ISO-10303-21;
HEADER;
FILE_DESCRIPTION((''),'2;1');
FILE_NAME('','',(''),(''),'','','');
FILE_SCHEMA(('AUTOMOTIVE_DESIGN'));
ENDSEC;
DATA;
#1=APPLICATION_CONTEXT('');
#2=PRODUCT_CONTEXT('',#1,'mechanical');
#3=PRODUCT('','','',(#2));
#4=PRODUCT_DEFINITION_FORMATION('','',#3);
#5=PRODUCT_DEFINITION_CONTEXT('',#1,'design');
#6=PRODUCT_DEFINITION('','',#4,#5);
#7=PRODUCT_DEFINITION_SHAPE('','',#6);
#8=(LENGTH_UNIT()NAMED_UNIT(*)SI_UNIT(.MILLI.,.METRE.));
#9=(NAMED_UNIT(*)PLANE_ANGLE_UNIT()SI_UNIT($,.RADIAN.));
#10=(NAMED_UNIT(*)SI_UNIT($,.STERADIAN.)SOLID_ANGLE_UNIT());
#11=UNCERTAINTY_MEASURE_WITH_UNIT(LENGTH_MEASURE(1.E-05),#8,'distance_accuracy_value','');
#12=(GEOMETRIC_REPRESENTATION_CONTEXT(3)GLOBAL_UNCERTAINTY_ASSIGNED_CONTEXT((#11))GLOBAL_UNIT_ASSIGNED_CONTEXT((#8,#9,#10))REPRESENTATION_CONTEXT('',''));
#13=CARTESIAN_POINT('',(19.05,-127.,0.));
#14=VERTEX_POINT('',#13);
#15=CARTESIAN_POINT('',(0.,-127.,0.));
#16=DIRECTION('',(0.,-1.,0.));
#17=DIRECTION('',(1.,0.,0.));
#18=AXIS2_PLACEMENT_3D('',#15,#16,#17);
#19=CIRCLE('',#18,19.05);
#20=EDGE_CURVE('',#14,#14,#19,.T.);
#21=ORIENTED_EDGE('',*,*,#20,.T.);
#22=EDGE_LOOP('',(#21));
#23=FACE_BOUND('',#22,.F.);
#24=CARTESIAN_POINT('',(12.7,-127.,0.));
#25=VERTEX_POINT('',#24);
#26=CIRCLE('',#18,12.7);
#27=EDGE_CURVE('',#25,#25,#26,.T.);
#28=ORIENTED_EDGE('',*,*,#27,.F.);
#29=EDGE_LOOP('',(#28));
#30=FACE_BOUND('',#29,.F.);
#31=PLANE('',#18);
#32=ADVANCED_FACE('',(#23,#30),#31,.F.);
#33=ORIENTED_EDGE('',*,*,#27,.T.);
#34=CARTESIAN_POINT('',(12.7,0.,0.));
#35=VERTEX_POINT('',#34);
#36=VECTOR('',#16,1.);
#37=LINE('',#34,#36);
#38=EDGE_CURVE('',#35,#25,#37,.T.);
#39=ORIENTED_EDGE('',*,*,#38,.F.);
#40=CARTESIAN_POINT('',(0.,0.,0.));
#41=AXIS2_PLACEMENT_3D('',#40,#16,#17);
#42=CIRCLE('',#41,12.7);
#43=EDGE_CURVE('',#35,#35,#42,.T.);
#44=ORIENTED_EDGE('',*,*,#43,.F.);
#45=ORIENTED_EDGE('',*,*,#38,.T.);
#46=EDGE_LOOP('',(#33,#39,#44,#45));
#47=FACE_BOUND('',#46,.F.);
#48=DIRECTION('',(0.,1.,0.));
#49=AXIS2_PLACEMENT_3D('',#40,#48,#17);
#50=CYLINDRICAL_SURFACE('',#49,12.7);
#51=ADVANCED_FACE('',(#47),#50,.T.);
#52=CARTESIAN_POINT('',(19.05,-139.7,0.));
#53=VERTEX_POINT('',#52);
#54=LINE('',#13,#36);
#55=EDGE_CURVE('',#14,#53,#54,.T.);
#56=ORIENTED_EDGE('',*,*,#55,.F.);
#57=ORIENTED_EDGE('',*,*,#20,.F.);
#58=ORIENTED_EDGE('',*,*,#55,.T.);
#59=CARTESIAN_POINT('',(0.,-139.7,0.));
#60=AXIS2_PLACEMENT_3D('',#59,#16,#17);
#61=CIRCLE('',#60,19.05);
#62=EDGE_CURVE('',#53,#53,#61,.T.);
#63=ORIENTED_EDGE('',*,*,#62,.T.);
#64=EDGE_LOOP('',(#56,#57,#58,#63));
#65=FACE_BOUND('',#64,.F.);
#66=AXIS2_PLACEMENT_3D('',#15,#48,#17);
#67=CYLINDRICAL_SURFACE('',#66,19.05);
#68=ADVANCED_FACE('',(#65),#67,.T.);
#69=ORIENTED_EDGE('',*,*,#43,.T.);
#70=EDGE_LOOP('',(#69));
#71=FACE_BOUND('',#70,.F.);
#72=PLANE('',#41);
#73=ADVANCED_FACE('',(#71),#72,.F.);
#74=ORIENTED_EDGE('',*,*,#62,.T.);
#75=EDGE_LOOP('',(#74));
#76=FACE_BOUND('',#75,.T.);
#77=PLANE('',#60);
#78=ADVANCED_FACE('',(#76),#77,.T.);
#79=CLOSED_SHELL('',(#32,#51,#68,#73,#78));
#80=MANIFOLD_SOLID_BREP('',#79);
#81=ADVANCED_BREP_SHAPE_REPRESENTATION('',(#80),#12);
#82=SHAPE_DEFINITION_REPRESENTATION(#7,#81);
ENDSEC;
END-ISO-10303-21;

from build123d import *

# Parameters (mm, degrees)
F0_R     = 12.7
F1_DEPTH = 127
F2_R     = 19.05
F2_R_2   = 12.7
F3_DEPTH = 12.7


with BuildPart() as f1:
    # F0 (on Front) → F1 (new body)
    with BuildSketch(Plane.XZ):
        Circle(F0_R)
    extrude(amount=F1_DEPTH)

    # F2 (on face) → F3 (join)
    with BuildSketch(Plane.XZ.offset(127)):
        Circle(F2_R)
        Circle(F2_R_2, mode=Mode.SUBTRACT)
        Circle(F2_R_2)
    extrude(amount=F3_DEPTH)


solid = f1.part
